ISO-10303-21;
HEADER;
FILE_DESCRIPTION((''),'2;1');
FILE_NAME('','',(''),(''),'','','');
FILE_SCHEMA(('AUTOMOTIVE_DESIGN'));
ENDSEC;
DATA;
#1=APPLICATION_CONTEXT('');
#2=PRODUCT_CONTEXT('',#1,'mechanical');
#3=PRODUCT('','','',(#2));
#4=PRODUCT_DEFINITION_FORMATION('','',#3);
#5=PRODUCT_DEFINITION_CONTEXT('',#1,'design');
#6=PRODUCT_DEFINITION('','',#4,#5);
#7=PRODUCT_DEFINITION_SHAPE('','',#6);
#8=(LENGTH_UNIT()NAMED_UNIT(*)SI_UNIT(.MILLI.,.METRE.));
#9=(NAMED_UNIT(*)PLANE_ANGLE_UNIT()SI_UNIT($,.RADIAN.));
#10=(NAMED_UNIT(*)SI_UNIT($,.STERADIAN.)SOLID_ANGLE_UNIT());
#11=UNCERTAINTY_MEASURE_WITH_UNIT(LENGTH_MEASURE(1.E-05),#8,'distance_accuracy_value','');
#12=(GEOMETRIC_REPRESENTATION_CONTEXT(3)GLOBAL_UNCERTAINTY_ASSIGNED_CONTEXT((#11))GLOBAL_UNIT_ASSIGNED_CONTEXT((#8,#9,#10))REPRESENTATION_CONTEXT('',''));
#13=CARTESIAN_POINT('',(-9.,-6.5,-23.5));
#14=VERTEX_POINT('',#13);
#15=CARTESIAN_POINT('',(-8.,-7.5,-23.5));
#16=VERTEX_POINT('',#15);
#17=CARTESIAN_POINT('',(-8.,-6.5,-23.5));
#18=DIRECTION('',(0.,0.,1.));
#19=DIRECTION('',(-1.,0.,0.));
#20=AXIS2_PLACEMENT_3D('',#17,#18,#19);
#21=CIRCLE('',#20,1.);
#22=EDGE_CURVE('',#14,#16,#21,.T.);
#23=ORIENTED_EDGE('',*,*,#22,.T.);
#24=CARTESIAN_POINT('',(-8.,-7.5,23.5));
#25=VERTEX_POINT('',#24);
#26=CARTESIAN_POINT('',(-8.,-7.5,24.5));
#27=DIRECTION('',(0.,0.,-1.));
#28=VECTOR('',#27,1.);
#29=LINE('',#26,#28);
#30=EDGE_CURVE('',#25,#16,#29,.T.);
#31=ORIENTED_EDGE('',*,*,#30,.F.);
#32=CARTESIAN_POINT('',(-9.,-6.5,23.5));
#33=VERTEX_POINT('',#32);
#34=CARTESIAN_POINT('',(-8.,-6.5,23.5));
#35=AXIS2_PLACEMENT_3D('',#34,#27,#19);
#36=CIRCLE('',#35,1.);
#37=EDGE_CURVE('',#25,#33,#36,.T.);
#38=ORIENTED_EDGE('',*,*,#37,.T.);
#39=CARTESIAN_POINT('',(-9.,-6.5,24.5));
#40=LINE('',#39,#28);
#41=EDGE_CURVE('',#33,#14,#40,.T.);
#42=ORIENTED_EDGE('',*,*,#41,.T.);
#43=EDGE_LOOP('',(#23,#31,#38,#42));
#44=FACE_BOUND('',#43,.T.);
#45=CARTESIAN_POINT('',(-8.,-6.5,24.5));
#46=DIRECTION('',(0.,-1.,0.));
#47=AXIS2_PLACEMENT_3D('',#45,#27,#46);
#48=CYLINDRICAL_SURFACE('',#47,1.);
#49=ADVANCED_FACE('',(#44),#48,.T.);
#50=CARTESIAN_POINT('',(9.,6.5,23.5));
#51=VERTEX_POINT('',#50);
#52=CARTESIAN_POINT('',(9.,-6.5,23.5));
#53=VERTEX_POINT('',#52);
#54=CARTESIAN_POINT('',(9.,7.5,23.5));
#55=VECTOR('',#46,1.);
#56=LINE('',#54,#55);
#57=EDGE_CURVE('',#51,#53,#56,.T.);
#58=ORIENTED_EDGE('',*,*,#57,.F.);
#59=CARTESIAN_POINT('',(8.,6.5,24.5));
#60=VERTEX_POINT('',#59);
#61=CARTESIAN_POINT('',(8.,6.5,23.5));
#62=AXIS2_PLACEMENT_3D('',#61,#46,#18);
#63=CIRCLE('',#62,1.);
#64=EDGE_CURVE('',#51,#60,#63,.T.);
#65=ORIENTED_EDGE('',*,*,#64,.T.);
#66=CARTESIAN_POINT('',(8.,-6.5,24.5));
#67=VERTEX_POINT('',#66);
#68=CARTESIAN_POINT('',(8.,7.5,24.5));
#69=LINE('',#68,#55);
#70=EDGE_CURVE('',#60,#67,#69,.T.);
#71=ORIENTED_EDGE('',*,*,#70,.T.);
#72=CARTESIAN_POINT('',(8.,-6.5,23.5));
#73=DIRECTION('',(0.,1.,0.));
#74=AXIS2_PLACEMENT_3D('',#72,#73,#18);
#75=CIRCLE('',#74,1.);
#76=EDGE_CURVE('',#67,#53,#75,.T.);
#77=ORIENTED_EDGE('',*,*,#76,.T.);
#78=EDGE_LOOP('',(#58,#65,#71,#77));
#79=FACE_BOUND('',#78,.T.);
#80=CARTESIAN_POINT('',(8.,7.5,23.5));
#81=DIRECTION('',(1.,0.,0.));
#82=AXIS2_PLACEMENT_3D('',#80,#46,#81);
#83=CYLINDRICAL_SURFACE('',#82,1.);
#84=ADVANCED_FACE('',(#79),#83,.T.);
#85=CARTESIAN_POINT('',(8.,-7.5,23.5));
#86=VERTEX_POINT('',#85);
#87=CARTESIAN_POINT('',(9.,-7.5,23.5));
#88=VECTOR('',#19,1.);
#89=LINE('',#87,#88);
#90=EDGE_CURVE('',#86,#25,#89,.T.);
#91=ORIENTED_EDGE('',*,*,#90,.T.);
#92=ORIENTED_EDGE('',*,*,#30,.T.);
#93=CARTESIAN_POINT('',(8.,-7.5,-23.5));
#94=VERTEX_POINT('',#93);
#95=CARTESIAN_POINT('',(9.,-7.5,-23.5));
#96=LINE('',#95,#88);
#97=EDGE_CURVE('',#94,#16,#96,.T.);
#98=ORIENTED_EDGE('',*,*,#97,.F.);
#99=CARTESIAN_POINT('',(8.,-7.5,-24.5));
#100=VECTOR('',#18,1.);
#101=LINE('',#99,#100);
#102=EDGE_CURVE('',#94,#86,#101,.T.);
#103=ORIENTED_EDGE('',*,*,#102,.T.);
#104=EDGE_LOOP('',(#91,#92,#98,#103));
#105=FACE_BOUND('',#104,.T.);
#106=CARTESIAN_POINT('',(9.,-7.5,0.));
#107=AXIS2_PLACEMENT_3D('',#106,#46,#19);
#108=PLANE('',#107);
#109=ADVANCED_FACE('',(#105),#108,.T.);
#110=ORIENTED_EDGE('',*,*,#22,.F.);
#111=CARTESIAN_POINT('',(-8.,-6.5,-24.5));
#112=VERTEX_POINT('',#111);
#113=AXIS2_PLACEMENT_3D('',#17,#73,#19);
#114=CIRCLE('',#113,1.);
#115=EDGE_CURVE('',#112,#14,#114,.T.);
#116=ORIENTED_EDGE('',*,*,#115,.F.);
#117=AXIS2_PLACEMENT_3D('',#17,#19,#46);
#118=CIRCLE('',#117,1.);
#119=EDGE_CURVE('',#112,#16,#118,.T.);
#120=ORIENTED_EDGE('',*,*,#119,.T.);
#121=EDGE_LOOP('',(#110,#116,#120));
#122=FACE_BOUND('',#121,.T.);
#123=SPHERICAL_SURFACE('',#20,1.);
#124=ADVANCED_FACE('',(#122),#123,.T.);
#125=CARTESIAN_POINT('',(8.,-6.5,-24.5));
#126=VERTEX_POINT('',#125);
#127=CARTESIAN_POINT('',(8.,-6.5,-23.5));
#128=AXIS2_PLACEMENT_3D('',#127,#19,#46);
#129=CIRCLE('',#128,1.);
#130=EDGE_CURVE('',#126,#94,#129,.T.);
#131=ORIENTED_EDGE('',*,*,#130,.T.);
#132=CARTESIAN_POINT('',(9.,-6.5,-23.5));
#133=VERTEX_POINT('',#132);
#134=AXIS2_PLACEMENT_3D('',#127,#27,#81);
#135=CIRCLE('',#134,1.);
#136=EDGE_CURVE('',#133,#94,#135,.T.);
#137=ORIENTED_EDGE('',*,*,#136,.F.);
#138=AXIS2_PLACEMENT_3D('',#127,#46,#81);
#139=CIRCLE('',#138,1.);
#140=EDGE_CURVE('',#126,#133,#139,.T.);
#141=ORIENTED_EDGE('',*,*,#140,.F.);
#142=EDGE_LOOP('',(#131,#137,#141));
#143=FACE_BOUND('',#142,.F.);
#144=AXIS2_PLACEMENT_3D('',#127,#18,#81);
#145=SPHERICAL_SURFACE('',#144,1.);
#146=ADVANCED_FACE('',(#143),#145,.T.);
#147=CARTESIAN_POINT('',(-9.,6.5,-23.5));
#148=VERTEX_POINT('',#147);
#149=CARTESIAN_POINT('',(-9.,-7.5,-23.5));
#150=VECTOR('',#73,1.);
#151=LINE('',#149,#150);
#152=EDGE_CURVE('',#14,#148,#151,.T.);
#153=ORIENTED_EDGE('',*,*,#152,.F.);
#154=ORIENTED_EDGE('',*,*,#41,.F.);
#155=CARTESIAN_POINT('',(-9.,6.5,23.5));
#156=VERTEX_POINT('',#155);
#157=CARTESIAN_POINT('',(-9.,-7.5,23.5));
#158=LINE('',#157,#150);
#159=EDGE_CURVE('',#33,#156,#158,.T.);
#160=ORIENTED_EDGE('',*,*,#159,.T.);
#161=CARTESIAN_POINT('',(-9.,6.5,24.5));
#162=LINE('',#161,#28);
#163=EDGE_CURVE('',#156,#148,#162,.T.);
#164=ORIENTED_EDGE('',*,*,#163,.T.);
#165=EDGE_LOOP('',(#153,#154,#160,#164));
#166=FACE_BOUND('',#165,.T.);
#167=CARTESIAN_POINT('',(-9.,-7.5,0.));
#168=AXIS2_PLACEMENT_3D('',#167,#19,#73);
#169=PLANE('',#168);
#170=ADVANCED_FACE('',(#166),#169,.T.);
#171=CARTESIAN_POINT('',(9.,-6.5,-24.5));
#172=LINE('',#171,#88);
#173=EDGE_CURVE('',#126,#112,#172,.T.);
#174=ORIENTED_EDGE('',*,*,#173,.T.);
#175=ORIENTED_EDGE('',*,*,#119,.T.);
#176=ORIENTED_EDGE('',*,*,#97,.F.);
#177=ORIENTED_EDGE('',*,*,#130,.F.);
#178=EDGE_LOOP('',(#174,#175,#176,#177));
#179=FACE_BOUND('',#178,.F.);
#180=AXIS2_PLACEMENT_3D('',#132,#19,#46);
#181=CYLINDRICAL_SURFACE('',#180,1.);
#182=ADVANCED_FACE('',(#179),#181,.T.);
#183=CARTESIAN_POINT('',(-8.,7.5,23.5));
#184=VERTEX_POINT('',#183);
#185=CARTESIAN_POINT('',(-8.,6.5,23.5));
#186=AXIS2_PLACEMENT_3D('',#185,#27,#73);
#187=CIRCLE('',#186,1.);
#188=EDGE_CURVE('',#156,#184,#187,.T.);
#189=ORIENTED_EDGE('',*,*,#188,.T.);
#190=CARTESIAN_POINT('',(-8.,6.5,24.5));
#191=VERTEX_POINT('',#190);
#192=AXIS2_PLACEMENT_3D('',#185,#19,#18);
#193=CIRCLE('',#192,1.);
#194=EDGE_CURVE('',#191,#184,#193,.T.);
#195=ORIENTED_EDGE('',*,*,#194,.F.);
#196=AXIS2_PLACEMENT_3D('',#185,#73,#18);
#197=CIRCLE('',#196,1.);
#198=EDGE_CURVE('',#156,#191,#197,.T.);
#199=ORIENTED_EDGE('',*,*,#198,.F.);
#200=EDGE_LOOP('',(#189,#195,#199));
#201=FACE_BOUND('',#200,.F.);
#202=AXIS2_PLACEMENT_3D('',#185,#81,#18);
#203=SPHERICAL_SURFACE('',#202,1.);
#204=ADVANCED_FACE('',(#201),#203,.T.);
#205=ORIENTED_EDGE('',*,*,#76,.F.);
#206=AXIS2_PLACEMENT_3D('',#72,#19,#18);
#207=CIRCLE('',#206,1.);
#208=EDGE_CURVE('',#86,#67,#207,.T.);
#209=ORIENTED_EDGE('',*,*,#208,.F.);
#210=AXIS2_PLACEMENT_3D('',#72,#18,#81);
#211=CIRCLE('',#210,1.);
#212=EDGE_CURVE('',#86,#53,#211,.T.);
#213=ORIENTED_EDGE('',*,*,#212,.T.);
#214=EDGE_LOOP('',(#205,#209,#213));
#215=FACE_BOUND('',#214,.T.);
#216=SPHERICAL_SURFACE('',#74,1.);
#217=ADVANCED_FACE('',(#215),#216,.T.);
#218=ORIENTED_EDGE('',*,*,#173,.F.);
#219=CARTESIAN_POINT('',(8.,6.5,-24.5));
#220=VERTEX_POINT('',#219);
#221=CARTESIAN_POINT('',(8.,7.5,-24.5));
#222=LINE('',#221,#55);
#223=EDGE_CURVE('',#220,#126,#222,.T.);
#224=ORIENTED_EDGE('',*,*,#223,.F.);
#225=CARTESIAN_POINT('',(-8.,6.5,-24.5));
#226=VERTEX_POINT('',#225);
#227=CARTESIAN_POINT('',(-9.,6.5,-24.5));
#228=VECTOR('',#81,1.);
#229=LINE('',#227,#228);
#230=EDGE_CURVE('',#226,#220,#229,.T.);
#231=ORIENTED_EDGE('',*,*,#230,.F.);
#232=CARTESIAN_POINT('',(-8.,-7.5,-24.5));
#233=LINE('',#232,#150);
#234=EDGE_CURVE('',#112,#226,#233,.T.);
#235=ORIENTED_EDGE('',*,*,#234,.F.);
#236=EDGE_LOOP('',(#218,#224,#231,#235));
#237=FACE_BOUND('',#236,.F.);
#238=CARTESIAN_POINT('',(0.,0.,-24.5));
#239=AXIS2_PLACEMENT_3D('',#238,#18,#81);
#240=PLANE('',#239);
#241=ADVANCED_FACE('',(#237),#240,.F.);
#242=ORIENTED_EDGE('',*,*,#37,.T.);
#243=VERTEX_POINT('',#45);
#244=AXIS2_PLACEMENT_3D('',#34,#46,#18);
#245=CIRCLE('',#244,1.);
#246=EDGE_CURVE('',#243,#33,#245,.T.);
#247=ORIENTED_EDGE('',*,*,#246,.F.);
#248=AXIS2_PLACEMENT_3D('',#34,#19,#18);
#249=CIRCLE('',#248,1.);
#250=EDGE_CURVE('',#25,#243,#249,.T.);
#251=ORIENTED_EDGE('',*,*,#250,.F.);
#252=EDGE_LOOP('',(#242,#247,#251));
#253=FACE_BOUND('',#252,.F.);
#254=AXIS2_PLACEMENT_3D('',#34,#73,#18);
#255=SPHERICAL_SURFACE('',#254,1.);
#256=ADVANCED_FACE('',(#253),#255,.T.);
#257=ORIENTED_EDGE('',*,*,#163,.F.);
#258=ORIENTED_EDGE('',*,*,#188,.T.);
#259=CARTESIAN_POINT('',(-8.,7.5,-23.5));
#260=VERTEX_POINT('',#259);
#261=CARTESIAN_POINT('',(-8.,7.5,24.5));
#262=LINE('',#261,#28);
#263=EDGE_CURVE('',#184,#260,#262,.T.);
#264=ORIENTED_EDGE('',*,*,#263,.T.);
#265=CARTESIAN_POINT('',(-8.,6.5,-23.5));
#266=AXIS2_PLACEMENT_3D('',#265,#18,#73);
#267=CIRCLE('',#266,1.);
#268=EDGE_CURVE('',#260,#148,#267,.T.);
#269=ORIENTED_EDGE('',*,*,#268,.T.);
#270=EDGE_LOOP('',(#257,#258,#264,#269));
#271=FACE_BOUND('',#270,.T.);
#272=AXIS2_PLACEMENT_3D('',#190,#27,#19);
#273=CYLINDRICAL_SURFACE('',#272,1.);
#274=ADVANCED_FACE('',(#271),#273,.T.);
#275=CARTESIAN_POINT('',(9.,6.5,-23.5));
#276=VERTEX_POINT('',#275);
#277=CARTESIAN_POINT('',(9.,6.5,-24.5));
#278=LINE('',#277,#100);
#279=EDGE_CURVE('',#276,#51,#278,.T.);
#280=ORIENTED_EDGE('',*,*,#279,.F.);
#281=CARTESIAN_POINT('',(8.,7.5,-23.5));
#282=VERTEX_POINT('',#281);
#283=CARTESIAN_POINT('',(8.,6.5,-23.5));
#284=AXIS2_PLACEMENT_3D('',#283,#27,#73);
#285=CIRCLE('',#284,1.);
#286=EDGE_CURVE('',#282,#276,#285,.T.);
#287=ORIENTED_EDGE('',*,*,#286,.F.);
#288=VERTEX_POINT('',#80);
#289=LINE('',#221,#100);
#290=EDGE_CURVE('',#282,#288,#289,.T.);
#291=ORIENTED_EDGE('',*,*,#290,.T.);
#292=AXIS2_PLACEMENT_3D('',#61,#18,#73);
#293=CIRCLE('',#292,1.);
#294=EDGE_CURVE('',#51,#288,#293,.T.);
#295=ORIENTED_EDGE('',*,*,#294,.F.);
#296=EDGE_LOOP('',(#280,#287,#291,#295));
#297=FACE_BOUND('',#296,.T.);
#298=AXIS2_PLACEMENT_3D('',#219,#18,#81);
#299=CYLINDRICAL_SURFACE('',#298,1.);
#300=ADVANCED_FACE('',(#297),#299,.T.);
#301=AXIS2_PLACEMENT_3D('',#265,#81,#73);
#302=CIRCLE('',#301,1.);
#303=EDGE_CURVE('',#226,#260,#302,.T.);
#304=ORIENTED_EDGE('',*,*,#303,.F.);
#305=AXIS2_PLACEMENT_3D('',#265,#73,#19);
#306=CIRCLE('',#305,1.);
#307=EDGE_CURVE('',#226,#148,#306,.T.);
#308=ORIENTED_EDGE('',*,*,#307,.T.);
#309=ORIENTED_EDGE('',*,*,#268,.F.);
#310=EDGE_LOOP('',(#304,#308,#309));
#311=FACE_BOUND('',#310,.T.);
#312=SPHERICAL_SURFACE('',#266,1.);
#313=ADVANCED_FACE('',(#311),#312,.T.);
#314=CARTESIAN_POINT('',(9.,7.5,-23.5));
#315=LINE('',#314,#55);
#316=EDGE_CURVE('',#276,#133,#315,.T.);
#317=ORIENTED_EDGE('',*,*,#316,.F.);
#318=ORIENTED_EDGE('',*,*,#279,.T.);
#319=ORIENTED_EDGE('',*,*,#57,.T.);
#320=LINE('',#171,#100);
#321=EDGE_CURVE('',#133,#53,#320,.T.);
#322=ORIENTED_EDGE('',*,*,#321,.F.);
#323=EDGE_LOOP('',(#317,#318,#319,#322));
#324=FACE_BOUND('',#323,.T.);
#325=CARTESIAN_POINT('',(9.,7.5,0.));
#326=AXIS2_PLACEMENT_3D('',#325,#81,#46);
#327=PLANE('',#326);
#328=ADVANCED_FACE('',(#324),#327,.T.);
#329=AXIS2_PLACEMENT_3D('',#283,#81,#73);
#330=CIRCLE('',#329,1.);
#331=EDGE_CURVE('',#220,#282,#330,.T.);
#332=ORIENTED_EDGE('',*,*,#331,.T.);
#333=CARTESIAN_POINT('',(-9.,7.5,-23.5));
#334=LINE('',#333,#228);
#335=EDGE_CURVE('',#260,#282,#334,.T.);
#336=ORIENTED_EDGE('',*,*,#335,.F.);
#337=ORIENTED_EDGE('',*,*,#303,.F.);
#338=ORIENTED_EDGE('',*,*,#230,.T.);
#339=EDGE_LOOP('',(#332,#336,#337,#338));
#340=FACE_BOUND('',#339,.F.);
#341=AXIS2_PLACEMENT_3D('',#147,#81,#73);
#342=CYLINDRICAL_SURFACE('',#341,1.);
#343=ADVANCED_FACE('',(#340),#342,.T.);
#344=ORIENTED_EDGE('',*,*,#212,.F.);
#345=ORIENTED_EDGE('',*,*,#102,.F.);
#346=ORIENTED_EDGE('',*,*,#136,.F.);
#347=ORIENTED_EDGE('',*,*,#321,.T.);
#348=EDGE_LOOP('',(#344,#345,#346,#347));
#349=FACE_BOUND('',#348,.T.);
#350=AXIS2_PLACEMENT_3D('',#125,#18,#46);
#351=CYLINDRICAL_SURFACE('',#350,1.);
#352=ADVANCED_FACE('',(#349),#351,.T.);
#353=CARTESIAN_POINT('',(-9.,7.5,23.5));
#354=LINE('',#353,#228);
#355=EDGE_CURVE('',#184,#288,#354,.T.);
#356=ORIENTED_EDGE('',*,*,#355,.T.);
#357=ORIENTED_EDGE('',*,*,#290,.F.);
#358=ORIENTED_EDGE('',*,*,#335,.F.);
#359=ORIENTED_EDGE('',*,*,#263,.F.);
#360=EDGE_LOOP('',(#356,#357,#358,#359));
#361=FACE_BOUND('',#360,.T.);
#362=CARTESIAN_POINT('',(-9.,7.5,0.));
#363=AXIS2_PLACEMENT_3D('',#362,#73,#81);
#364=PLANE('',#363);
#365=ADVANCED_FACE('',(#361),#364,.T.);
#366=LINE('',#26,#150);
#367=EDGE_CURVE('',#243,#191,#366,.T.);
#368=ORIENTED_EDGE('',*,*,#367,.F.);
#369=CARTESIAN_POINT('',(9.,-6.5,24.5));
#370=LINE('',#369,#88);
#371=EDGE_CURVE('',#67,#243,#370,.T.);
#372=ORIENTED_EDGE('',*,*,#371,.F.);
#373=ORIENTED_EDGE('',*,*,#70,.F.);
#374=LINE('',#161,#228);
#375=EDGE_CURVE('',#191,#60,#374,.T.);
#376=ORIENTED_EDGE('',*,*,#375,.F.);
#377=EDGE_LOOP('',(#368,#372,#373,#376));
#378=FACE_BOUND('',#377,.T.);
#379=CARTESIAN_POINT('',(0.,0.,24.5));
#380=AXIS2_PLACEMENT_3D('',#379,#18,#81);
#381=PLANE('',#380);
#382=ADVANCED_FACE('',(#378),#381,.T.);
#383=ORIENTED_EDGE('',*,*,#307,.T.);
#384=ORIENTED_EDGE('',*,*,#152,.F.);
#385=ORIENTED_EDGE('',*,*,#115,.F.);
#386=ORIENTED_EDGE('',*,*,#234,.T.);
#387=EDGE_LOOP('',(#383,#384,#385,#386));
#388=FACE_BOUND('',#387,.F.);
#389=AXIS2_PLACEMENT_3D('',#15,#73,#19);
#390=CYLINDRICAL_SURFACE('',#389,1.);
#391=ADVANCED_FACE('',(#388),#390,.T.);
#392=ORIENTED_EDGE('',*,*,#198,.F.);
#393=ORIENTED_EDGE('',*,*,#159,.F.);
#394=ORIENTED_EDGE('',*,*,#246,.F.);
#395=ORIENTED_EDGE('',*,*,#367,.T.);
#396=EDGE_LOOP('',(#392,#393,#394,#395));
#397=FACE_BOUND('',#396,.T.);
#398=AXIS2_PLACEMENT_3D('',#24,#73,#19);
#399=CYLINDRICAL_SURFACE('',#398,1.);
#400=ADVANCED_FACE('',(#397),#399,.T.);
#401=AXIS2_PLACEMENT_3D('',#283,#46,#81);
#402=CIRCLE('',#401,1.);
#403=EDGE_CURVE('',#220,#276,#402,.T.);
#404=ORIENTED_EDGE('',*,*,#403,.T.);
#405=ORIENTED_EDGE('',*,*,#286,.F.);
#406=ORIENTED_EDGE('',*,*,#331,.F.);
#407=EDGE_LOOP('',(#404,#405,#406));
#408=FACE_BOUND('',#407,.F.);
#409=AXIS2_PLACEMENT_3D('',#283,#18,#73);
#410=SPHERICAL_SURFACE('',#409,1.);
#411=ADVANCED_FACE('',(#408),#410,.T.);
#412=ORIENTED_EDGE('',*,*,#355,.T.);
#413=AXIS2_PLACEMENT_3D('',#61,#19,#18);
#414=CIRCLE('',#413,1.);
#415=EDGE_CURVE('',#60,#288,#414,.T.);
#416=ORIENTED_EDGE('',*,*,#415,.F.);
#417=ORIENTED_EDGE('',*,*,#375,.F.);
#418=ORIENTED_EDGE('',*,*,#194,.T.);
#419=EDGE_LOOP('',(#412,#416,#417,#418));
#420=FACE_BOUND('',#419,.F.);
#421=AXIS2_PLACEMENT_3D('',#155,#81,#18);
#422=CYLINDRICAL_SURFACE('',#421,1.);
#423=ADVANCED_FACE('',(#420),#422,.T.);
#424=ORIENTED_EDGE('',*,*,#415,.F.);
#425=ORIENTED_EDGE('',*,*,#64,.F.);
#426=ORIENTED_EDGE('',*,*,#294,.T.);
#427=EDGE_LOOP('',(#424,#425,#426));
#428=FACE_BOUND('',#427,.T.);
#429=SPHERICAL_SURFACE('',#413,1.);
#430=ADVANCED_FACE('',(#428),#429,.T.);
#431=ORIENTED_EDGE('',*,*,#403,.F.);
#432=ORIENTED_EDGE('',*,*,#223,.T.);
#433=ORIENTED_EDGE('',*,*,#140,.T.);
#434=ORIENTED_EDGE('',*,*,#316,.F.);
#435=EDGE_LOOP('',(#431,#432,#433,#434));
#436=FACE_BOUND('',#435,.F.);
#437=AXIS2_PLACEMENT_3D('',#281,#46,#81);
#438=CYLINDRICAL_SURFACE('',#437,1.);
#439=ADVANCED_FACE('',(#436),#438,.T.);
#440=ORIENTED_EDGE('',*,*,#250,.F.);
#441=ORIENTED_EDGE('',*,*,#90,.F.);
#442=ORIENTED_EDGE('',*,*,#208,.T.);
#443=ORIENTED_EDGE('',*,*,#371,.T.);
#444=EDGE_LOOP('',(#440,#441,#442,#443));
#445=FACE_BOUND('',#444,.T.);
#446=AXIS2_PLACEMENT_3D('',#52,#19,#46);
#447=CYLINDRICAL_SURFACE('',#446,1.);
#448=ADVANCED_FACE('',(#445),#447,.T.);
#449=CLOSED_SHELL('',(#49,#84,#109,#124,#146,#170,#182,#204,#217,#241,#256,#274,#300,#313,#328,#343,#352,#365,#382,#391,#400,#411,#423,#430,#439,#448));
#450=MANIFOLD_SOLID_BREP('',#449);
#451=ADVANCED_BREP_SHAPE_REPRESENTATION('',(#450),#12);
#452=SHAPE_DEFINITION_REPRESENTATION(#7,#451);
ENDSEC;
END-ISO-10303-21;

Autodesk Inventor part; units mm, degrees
ref_plane "YZ Plane" through (0, 0, 0) normal (1, 0, 0) x (0, 1, 0)
ref_plane "XZ Plane" through (0, 0, 0) normal (0, 1, 0) x (-1, 0, 0)
ref_plane "XY Plane" through (0, 0, 0) normal (0, 0, 1) x (1, 0, 0)
sketch "Sketch1" plane through (0, 0, 0) normal (0, 0, 1) x (1, 0, 0)
  line L0 (9, -7.5) -> (-9, -7.5)
  line L1 (-9, -7.5) -> (-9, 7.5)
  line L2 (-9, 7.5) -> (9, 7.5)
  line L3 (9, 7.5) -> (9, -7.5)
  line L4 (9, -7.5) -> (-9, 7.5) construction
  line L5 (-9, -7.5) -> (9, 7.5) construction
  point P0 (0, 0)
  dimension "d0" = 18
  dimension "d1" = 15
extrude "Extrusion1" add sketch "Sketch1" along normal mid plane 49
fillet "Fillet1" radius 1 12 edges at (0, 7.5, 24.5) (9, 0, 24.5) (-9, 0, 24.5) (0, -7.5, 24.5) (9, -7.5, 0) (9, 7.5, 0) (-9, 7.5, 0) (-9, -7.5, 0) (0, 7.5, -24.5) (9, 0, -24.5) (-9, 0, -24.5) (0, -7.5, -24.5)
properties part number "850mah" material "Battery"
